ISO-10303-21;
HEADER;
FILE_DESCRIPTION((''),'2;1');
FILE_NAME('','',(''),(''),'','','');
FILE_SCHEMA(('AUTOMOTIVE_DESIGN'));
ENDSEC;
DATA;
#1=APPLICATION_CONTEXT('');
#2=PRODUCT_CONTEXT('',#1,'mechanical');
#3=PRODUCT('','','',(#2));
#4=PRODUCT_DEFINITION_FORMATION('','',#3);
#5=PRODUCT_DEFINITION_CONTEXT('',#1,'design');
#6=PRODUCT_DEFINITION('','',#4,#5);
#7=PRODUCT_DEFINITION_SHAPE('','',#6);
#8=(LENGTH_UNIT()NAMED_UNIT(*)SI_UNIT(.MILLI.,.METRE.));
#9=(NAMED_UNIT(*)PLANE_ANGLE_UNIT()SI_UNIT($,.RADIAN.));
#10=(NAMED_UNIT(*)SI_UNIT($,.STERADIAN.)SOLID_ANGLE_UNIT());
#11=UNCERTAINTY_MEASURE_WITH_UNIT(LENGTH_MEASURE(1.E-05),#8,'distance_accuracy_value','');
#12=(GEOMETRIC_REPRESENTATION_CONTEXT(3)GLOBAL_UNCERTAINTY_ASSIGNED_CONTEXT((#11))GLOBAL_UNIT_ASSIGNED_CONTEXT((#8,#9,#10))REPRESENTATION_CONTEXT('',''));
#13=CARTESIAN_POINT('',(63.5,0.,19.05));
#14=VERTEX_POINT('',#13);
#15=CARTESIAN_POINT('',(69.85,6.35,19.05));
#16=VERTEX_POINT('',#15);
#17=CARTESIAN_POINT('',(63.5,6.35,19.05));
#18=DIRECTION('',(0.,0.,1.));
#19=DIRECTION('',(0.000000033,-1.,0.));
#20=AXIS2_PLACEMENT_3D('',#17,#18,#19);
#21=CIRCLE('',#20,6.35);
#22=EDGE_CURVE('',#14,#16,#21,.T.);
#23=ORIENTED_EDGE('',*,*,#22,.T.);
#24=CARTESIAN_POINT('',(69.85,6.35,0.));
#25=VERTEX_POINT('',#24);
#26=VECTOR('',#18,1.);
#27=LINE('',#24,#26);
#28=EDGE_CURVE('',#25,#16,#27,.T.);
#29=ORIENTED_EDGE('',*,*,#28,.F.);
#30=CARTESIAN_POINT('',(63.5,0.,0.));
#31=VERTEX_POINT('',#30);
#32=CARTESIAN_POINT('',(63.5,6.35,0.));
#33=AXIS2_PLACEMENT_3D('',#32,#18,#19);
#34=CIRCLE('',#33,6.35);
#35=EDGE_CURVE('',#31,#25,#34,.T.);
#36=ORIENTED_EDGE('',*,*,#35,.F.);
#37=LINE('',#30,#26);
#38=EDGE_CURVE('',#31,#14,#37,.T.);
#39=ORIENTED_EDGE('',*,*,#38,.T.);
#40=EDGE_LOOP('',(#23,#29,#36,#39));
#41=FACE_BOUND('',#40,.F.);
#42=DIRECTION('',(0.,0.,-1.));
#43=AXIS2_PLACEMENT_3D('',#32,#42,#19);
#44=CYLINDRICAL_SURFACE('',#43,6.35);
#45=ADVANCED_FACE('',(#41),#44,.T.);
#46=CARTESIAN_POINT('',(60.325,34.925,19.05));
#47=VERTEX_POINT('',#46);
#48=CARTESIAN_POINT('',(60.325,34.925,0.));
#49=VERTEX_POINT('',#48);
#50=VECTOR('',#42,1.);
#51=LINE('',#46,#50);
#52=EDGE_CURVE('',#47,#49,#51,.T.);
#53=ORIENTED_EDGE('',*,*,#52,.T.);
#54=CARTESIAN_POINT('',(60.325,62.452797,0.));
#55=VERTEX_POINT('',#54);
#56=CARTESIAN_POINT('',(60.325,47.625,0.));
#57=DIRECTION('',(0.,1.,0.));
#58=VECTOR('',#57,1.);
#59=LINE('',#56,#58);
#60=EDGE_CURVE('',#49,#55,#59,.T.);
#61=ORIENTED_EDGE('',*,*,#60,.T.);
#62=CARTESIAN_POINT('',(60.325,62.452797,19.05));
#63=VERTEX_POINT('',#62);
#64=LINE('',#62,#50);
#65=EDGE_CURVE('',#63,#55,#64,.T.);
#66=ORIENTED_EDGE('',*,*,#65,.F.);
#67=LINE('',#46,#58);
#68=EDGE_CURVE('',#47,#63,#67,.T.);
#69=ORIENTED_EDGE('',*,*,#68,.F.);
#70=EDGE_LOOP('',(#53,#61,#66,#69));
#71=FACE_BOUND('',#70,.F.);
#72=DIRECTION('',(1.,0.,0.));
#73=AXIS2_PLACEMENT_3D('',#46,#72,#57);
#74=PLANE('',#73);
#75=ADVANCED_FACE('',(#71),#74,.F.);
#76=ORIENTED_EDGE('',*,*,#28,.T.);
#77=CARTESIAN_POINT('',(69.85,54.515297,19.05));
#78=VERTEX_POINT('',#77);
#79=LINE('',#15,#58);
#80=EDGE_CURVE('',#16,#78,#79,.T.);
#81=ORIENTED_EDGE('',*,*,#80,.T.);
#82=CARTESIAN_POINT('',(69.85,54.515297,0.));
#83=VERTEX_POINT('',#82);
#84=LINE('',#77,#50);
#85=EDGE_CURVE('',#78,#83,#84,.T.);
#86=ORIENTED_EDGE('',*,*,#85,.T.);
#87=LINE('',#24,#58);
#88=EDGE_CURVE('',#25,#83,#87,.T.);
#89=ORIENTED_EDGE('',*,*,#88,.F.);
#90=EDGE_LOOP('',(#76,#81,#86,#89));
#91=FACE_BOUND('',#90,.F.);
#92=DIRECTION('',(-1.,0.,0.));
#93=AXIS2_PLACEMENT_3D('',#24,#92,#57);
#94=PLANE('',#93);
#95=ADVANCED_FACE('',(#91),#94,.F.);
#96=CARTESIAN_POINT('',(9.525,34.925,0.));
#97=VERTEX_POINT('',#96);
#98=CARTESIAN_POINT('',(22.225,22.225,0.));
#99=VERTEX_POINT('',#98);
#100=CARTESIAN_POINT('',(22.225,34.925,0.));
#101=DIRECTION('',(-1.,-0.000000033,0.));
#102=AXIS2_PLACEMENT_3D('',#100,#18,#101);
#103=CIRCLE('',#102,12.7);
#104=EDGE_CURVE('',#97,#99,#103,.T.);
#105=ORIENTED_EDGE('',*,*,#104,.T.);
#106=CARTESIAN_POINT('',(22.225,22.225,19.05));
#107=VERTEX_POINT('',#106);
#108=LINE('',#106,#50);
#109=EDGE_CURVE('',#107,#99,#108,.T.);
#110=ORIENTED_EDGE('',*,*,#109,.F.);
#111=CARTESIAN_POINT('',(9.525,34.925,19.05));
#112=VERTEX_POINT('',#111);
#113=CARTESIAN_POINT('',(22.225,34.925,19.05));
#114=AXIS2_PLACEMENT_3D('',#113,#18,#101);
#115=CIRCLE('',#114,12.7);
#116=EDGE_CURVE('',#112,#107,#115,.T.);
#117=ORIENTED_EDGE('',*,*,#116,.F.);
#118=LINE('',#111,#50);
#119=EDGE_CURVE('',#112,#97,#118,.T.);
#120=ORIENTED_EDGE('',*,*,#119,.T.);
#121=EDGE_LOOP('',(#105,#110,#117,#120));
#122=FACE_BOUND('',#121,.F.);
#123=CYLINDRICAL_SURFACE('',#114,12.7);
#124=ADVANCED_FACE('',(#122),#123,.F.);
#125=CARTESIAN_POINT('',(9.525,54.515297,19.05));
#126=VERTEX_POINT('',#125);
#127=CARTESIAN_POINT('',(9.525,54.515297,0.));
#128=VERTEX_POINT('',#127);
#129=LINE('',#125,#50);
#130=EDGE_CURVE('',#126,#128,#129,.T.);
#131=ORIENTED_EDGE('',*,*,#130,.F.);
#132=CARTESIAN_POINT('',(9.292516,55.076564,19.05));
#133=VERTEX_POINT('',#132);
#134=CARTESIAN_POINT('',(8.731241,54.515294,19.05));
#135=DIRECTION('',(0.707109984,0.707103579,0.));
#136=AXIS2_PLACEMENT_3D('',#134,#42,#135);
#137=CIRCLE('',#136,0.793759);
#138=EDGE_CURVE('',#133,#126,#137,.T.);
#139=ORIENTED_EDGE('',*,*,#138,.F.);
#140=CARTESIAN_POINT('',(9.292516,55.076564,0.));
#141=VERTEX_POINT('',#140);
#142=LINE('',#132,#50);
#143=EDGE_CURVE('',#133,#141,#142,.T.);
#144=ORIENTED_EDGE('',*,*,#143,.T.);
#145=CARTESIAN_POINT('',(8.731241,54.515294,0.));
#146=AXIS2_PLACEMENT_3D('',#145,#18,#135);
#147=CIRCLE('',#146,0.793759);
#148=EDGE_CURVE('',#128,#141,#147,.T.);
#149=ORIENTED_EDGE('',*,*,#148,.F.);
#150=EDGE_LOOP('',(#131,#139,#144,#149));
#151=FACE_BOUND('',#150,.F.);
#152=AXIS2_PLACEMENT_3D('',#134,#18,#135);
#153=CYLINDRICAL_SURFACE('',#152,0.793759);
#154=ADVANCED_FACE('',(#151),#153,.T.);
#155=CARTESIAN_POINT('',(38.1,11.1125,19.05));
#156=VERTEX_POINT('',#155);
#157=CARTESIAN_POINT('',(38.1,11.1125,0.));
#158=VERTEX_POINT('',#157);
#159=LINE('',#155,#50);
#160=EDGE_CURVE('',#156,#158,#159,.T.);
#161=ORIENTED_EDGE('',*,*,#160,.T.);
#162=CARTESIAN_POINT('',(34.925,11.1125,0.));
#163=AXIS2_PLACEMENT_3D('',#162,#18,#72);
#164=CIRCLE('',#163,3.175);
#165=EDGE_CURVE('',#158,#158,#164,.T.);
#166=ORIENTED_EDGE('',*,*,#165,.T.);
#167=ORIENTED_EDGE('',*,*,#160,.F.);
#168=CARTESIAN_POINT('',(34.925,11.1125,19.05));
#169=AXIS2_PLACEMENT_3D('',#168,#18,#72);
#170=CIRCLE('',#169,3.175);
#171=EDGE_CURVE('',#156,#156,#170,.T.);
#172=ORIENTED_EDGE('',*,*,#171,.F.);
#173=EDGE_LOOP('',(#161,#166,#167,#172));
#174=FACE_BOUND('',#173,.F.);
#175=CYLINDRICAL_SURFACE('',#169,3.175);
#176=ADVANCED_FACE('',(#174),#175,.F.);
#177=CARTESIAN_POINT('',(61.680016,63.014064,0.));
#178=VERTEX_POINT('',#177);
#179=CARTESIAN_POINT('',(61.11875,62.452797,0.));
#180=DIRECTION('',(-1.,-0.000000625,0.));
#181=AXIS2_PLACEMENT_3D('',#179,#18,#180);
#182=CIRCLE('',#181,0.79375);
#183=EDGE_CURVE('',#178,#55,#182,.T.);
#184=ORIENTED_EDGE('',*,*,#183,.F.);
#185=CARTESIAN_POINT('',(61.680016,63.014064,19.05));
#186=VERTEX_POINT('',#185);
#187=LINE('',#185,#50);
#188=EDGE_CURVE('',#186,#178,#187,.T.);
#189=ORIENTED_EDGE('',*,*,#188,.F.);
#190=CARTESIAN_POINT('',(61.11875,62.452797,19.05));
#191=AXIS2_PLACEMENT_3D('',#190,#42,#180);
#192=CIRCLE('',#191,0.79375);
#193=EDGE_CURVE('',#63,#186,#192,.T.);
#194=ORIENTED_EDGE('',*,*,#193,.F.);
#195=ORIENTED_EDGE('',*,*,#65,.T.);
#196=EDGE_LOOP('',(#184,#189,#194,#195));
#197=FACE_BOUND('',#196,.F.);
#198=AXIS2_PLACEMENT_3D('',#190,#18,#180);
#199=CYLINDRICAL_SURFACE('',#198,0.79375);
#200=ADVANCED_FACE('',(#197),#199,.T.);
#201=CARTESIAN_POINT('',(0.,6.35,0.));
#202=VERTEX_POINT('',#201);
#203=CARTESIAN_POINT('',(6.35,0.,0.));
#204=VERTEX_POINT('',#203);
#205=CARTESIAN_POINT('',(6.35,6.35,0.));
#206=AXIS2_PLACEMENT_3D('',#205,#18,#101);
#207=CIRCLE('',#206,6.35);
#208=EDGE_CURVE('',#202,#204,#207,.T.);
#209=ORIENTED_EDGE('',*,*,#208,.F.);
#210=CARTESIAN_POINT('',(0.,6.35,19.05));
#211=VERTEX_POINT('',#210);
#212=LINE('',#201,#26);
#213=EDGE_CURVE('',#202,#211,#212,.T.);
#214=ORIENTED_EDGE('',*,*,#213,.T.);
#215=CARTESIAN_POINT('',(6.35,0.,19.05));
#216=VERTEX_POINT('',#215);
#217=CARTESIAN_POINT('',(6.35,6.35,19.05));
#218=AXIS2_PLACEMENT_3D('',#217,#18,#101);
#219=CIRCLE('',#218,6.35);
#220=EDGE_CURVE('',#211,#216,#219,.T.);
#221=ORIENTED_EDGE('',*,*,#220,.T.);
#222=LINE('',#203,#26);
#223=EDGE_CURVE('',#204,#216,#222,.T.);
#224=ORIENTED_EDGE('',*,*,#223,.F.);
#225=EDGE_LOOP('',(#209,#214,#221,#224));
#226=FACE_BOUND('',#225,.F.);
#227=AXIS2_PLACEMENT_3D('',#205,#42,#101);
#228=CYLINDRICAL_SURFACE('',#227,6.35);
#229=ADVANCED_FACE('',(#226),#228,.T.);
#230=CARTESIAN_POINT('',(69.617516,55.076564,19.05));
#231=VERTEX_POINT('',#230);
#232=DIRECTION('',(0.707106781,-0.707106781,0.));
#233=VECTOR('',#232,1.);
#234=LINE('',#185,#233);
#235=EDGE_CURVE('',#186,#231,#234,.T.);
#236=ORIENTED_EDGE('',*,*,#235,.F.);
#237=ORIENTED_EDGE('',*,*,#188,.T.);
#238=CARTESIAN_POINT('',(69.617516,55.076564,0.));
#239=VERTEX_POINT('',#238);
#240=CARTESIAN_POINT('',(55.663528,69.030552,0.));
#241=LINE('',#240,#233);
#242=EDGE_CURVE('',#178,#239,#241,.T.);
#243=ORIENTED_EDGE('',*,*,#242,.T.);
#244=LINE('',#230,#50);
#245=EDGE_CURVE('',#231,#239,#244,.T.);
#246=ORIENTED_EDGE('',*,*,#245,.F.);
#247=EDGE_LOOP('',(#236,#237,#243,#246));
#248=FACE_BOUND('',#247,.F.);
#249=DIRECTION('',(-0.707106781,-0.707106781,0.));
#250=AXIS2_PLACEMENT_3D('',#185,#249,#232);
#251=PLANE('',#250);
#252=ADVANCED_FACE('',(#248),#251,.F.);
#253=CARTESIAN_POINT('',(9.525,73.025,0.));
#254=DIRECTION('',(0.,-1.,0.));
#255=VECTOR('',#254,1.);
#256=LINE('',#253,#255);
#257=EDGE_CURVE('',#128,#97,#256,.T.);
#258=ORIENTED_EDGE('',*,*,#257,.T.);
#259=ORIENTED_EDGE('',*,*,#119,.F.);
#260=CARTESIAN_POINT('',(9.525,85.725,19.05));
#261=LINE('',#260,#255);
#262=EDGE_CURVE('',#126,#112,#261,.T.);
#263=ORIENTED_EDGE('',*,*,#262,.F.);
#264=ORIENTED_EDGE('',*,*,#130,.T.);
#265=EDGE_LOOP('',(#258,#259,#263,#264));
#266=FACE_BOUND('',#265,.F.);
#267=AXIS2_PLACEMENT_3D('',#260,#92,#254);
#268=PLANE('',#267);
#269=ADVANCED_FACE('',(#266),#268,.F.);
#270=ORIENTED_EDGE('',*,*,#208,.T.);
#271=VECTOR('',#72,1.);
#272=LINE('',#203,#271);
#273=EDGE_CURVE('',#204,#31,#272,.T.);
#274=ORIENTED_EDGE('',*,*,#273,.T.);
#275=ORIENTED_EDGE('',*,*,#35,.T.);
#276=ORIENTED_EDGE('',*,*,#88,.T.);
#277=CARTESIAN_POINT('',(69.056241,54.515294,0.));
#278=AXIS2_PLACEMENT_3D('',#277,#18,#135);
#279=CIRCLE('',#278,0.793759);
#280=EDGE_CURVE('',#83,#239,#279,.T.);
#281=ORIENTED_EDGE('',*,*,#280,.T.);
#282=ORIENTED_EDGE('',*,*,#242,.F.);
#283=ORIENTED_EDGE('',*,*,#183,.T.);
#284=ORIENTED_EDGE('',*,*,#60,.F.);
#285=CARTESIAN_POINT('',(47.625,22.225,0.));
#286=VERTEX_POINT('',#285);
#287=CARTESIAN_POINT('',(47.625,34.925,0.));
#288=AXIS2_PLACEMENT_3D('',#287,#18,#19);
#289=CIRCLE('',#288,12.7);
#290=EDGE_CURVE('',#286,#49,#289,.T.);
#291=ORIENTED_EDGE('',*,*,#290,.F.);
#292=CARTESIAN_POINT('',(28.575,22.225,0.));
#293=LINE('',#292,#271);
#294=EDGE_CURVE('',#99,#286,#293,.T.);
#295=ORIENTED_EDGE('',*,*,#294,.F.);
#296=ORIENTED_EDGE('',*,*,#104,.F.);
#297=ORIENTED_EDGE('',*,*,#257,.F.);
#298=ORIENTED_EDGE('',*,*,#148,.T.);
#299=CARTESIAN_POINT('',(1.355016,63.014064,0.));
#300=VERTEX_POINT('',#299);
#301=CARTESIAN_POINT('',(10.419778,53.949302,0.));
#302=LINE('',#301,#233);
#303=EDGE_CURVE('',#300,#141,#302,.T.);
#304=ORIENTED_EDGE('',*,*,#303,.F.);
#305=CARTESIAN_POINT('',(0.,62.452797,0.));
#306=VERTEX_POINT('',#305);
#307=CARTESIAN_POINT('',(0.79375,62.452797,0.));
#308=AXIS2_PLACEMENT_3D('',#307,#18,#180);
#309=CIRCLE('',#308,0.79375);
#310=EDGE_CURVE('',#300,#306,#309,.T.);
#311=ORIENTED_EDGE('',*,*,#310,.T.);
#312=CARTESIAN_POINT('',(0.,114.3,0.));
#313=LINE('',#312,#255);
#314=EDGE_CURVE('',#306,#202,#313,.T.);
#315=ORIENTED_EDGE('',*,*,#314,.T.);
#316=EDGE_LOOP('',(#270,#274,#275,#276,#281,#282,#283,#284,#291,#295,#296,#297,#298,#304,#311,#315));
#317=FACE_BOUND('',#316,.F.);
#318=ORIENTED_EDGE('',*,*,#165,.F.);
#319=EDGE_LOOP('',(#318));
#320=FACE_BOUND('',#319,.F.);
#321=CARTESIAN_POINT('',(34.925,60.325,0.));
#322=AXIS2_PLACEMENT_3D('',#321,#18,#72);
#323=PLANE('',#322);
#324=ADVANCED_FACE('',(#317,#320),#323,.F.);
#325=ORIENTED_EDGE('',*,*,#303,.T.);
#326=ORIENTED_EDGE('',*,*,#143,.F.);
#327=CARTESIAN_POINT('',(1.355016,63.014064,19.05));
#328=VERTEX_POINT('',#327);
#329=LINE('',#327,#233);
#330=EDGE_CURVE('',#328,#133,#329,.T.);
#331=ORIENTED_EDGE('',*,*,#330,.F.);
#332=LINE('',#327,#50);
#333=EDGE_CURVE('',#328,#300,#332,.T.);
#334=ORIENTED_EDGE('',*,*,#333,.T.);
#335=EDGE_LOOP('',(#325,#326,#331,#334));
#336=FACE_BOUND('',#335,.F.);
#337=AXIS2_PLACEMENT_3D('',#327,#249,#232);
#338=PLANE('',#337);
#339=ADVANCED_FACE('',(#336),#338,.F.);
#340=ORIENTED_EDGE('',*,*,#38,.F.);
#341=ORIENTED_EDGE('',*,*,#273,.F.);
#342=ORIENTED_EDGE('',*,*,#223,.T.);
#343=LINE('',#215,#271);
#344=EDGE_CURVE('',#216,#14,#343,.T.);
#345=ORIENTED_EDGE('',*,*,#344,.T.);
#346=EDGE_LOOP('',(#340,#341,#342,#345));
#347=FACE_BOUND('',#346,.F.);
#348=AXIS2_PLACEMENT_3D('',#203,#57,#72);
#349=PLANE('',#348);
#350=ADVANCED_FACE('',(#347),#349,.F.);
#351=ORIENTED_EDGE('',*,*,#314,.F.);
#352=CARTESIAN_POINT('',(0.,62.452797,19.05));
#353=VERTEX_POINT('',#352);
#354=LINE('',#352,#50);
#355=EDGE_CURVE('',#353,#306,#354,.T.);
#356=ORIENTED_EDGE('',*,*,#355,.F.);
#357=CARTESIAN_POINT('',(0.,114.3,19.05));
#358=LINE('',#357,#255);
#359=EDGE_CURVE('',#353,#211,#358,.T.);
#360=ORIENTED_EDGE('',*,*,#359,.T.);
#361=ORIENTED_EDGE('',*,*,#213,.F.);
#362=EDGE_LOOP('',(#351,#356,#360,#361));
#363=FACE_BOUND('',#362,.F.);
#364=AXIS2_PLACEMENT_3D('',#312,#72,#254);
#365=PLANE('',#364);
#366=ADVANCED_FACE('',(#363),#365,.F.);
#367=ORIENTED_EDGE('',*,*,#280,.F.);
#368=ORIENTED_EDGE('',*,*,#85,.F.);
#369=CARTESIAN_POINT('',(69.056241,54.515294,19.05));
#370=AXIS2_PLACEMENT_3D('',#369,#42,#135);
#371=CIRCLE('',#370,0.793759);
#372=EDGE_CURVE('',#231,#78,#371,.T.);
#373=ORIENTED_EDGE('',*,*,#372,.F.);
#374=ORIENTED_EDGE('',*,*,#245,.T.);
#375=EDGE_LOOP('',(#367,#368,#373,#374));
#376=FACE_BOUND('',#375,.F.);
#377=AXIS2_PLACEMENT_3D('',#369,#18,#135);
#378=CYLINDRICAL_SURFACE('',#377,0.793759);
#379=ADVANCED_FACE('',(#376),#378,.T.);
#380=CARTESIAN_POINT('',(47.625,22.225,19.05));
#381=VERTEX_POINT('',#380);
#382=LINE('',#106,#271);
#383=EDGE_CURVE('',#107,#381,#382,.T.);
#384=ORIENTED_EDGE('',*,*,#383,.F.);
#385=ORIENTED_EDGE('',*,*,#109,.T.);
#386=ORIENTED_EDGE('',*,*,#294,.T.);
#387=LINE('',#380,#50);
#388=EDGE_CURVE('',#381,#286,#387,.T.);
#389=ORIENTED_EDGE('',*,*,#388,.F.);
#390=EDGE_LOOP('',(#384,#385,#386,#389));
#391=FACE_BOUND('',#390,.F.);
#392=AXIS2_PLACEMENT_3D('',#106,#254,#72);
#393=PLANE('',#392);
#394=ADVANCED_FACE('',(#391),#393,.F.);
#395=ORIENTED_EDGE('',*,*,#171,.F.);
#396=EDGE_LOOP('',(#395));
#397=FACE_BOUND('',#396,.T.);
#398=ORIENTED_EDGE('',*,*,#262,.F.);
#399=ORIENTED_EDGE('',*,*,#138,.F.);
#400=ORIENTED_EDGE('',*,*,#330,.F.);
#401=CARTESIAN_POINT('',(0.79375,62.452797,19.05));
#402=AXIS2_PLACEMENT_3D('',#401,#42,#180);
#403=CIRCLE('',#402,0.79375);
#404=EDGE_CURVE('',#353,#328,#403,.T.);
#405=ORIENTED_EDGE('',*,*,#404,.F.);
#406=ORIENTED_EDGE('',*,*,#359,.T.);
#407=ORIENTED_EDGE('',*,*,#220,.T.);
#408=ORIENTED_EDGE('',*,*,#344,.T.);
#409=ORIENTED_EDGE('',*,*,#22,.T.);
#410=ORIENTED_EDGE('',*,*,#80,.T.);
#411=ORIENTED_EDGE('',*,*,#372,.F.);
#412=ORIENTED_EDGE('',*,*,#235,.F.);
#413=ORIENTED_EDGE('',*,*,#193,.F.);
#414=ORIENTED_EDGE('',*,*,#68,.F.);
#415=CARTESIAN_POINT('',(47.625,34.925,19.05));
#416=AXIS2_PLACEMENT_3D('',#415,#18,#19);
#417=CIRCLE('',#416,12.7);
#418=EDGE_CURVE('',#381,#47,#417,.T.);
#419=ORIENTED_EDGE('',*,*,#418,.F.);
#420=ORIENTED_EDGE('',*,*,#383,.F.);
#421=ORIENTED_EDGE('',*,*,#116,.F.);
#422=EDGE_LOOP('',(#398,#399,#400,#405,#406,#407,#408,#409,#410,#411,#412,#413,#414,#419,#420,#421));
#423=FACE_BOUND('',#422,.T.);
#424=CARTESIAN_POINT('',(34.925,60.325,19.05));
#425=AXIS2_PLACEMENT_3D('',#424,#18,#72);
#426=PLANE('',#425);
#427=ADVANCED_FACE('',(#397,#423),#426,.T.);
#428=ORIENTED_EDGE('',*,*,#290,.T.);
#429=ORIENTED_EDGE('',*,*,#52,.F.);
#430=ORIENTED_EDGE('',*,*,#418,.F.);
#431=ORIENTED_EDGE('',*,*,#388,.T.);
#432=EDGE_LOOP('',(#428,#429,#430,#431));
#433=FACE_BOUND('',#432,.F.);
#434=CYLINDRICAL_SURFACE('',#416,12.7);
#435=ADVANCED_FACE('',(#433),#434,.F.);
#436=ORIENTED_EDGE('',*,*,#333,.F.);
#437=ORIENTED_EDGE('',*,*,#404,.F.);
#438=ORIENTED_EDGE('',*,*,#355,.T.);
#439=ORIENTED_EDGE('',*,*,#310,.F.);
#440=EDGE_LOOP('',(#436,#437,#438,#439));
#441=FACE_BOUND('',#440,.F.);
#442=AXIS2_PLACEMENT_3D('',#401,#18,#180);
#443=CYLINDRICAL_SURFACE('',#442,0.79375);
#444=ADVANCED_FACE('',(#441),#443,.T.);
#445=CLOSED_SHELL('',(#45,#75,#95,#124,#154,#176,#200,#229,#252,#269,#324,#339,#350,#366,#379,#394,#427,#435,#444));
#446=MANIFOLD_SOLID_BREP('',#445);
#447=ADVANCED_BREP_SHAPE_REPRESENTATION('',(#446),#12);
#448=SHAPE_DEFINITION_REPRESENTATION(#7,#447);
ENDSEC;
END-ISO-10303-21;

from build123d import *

# Parameters (mm, degrees)
F1_DEPTH = 19.05
F2_R     = 3.175
F3_DEPTH = 19.051
F5_DEPTH = 19.051


with BuildPart() as f1:
    # F0 (on Top) → F1 (new body)
    with BuildSketch(Plane.XY):
        with BuildLine():
            ThreePointArc((0, 6.35), (1.859872, 1.859872), (6.35, 0))
            Line((6.35, 0), (63.5, 0))
            ThreePointArc((63.5, 0), (67.990128, 1.859872), (69.85, 6.35))
            Line((69.85, 6.35), (69.85, 114.3))
            ThreePointArc((69.85, 114.3), (67.990128, 118.790128), (63.5, 120.65))
            Line((63.5, 120.65), (6.35, 120.65))
            ThreePointArc((6.35, 120.65), (1.859872, 118.790128), (0, 114.3))
            Line((0, 114.3), (0, 6.35))
        make_face()
    extrude(amount=F1_DEPTH)

    # F2 (on face) → F3 (cut, through all)
    with BuildSketch(Plane.XY.offset(19.05)):
        with Locations((34.925, 109.5375)):
            Circle(F2_R)
        with Locations((34.925, 11.1125)):
            Circle(F2_R)
        with BuildLine():
            Line((47.625, 98.425), (22.225, 98.425))
            ThreePointArc((22.225, 98.425), (13.244744, 94.705256), (9.525, 85.725))
            Line((9.525, 85.725), (9.525, 34.925))
            ThreePointArc((9.525, 34.925), (13.244744, 25.944744), (22.225, 22.225))
            Line((22.225, 22.225), (47.625, 22.225))
            ThreePointArc((47.625, 22.225), (56.605256, 25.944744), (60.325, 34.925))
            Line((60.325, 34.925), (60.325, 85.725))
            ThreePointArc((60.325, 85.725), (56.605256, 94.705256), (47.625, 98.425))
        make_face()
    extrude(amount=-F3_DEPTH, mode=Mode.SUBTRACT)

    # F4 (on face) → F5 (cut, through all)
    with BuildSketch(Plane.XY.offset(19.05)):
        with BuildLine():
            ThreePointArc((0, 62.452797), (0.489995, 63.186127), (1.355016, 63.014064))
            Line((1.355016, 63.014064), (9.292516, 55.076564))
            ThreePointArc((9.292516, 55.076564), (9.464579, 54.819052), (9.525, 54.515297))
            Line((9.525, 54.515297), (9.525, 85.725))
            ThreePointArc((9.525, 85.725), (13.244744, 94.705256), (22.225, 98.425))
            Line((22.225, 98.425), (47.625, 98.425))
            ThreePointArc((47.625, 98.425), (56.605256, 94.705256), (60.325, 85.725))
            Line((60.325, 85.725), (60.325, 62.452797))
            ThreePointArc((60.325, 62.452797), (60.814995, 63.186127), (61.680016, 63.014064))
            Line((61.680016, 63.014064), (69.617516, 55.076564))
            ThreePointArc((69.617516, 55.076564), (69.789579, 54.819052), (69.85, 54.515297))
            Line((69.85, 54.515297), (69.85, 114.3))
            ThreePointArc((69.85, 114.3), (67.990128, 118.790128), (63.5, 120.65))
            Line((63.5, 120.65), (6.35, 120.65))
            ThreePointArc((6.35, 120.65), (1.859872, 118.790128), (0, 114.3))
            Line((0, 114.3), (0, 62.452797))
        make_face()
    extrude(amount=-F5_DEPTH, mode=Mode.SUBTRACT)


solid = f1.part
